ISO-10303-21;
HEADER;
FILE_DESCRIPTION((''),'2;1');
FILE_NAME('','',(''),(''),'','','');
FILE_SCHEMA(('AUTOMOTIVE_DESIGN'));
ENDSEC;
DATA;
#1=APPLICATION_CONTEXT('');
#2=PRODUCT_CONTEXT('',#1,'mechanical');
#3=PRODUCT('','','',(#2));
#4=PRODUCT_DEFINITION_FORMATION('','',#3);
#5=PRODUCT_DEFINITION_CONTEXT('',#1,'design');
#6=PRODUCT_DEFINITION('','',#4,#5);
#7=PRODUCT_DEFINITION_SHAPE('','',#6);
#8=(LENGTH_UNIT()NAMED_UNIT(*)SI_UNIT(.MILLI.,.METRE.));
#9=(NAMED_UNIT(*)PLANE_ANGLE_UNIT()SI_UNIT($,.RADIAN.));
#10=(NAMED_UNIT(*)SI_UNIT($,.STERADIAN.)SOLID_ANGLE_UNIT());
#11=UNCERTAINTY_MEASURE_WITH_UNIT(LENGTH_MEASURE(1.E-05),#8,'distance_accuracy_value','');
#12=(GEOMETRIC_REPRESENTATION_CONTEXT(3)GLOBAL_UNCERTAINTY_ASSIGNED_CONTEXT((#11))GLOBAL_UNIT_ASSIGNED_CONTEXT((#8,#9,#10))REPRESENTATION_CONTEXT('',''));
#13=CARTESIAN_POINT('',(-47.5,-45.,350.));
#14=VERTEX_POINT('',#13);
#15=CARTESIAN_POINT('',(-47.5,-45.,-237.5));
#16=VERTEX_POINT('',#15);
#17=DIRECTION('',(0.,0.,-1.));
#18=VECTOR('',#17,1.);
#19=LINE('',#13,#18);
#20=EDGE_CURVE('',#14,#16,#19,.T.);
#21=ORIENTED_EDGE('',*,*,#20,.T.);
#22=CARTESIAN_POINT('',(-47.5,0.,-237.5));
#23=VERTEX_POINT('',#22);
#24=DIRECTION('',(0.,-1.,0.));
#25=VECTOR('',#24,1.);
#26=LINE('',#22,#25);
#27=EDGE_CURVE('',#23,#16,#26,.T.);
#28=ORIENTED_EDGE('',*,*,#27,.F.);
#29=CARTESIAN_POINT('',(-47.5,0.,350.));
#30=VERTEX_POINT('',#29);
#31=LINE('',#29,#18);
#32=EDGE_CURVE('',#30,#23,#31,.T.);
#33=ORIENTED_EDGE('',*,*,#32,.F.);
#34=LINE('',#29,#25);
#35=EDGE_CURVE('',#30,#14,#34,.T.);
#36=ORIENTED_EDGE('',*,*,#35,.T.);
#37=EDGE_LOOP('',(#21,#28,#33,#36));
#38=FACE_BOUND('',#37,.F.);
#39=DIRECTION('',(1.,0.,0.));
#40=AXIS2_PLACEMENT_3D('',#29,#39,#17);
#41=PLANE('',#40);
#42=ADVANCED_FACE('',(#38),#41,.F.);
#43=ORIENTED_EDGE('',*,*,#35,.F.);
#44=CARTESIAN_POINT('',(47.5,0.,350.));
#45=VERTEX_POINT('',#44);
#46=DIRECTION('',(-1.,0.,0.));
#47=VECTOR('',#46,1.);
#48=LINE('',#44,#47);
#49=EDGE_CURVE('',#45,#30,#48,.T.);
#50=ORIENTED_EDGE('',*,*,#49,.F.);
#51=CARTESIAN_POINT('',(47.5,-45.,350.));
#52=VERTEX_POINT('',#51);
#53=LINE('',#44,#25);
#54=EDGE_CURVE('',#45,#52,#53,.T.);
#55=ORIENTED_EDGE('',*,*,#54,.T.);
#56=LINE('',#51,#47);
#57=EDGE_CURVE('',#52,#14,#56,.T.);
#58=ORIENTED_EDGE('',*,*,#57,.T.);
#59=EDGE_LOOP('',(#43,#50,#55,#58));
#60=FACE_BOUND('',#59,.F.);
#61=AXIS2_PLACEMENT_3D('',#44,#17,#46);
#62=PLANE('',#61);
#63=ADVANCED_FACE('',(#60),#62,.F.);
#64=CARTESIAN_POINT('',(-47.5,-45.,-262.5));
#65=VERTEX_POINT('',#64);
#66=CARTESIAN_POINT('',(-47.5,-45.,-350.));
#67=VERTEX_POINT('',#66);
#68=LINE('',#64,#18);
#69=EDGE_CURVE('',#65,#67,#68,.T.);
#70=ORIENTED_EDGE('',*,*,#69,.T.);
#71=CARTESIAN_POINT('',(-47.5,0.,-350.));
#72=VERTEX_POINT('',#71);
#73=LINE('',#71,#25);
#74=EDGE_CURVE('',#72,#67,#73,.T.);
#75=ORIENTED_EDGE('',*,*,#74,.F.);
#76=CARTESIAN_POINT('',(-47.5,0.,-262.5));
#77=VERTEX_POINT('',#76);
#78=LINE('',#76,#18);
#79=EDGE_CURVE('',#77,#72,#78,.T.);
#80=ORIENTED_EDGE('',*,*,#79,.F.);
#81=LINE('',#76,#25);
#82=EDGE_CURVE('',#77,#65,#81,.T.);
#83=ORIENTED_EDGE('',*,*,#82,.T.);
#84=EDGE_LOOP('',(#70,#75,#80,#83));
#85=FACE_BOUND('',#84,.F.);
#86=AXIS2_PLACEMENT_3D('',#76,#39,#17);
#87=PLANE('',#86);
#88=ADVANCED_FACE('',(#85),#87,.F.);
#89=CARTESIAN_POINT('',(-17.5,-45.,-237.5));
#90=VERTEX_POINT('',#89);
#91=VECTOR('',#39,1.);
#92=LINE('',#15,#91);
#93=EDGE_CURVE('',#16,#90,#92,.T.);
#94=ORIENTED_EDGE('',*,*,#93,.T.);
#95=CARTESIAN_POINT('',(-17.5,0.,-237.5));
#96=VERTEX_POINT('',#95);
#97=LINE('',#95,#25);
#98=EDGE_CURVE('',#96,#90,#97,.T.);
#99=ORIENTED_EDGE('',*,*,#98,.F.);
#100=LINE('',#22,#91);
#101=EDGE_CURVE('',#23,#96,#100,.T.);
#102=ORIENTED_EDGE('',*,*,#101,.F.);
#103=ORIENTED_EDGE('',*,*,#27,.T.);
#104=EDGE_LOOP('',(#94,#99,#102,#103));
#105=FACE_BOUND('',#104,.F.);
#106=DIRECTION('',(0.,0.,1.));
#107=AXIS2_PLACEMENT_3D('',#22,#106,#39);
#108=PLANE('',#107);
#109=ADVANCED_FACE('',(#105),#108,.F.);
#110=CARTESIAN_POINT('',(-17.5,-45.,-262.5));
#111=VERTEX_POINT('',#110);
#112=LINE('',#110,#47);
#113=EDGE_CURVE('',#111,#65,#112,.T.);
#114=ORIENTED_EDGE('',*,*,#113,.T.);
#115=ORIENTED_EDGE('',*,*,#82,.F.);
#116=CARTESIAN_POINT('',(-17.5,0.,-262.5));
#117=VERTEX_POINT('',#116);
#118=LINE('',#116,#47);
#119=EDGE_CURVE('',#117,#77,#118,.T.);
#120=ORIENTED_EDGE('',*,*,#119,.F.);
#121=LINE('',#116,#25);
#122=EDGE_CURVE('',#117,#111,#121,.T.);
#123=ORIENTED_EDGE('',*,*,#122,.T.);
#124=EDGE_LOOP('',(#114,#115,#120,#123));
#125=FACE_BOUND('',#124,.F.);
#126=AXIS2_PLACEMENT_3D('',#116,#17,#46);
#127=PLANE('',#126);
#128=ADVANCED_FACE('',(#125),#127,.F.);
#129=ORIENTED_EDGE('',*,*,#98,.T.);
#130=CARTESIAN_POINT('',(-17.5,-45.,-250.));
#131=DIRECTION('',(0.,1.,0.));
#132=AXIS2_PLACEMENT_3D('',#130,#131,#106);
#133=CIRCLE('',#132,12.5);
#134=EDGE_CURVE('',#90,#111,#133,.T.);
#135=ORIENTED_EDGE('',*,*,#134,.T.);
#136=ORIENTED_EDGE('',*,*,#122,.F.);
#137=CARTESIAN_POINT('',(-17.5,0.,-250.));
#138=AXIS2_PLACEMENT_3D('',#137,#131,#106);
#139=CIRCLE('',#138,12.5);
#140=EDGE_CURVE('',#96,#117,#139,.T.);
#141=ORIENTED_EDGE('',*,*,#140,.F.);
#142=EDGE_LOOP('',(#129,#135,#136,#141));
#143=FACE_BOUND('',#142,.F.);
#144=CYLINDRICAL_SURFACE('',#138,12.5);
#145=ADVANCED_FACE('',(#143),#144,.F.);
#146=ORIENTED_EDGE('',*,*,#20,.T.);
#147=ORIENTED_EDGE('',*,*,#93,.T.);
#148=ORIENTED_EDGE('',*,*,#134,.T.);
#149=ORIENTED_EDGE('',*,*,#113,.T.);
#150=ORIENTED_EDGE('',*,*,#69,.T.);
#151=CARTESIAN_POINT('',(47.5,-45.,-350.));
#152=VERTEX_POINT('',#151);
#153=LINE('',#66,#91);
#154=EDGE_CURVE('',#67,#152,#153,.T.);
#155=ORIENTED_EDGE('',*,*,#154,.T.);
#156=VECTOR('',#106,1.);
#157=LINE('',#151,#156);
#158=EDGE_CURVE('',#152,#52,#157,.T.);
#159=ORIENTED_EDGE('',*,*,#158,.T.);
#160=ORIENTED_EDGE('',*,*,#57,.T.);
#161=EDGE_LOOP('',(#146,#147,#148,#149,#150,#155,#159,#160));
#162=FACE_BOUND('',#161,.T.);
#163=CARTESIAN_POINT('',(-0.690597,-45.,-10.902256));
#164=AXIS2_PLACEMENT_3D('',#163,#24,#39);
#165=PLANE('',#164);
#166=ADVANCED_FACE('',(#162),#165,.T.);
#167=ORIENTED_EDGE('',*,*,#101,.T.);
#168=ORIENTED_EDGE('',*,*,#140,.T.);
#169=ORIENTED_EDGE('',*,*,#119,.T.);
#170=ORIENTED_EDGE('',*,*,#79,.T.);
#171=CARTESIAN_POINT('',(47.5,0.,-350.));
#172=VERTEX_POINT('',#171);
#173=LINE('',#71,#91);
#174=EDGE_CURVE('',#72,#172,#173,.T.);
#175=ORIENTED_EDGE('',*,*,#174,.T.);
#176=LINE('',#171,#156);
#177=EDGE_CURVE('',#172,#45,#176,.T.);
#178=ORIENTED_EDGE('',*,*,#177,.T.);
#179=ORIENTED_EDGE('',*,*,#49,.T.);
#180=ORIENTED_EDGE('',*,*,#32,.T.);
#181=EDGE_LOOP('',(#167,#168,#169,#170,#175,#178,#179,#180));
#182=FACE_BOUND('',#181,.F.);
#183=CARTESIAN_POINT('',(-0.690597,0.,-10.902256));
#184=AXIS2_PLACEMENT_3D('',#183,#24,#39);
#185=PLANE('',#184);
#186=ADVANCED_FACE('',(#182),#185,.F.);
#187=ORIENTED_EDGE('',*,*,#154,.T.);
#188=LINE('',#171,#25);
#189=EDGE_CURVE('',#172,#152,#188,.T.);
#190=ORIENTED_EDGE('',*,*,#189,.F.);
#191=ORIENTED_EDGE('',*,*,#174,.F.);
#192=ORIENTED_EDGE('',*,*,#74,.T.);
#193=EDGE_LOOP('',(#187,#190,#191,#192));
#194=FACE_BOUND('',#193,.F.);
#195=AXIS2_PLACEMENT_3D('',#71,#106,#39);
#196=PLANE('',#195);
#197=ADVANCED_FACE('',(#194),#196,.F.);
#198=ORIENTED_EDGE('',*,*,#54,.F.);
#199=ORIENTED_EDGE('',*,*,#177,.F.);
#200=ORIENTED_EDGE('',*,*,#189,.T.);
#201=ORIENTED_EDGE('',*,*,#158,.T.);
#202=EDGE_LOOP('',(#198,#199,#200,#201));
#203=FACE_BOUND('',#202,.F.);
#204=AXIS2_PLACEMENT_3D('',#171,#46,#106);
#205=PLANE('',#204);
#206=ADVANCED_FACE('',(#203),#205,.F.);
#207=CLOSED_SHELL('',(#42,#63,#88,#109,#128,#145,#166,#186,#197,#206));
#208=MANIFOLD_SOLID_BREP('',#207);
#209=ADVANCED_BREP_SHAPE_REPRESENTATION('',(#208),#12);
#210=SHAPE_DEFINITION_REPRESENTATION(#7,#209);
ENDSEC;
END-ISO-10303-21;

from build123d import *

# Parameters (mm, degrees)
F1_DEPTH = 45


with BuildPart() as f1:
    # F0 (on Front) → F1 (new body)
    with BuildSketch(Plane.XZ):
        with BuildLine():
            Line((47.5, 350), (-47.5, 350))
            Line((-47.5, 350), (-47.5, -237.5))
            Line((-47.5, -237.5), (-17.5, -237.5))
            ThreePointArc((-17.5, -237.5), (-5, -250), (-17.5, -262.5))
            Line((-17.5, -262.5), (-47.5, -262.5))
            Line((-47.5, -262.5), (-47.5, -350))
            Line((-47.5, -350), (47.5, -350))
            Line((47.5, -350), (47.5, 350))
        make_face()
    extrude(amount=F1_DEPTH)


solid = f1.part
